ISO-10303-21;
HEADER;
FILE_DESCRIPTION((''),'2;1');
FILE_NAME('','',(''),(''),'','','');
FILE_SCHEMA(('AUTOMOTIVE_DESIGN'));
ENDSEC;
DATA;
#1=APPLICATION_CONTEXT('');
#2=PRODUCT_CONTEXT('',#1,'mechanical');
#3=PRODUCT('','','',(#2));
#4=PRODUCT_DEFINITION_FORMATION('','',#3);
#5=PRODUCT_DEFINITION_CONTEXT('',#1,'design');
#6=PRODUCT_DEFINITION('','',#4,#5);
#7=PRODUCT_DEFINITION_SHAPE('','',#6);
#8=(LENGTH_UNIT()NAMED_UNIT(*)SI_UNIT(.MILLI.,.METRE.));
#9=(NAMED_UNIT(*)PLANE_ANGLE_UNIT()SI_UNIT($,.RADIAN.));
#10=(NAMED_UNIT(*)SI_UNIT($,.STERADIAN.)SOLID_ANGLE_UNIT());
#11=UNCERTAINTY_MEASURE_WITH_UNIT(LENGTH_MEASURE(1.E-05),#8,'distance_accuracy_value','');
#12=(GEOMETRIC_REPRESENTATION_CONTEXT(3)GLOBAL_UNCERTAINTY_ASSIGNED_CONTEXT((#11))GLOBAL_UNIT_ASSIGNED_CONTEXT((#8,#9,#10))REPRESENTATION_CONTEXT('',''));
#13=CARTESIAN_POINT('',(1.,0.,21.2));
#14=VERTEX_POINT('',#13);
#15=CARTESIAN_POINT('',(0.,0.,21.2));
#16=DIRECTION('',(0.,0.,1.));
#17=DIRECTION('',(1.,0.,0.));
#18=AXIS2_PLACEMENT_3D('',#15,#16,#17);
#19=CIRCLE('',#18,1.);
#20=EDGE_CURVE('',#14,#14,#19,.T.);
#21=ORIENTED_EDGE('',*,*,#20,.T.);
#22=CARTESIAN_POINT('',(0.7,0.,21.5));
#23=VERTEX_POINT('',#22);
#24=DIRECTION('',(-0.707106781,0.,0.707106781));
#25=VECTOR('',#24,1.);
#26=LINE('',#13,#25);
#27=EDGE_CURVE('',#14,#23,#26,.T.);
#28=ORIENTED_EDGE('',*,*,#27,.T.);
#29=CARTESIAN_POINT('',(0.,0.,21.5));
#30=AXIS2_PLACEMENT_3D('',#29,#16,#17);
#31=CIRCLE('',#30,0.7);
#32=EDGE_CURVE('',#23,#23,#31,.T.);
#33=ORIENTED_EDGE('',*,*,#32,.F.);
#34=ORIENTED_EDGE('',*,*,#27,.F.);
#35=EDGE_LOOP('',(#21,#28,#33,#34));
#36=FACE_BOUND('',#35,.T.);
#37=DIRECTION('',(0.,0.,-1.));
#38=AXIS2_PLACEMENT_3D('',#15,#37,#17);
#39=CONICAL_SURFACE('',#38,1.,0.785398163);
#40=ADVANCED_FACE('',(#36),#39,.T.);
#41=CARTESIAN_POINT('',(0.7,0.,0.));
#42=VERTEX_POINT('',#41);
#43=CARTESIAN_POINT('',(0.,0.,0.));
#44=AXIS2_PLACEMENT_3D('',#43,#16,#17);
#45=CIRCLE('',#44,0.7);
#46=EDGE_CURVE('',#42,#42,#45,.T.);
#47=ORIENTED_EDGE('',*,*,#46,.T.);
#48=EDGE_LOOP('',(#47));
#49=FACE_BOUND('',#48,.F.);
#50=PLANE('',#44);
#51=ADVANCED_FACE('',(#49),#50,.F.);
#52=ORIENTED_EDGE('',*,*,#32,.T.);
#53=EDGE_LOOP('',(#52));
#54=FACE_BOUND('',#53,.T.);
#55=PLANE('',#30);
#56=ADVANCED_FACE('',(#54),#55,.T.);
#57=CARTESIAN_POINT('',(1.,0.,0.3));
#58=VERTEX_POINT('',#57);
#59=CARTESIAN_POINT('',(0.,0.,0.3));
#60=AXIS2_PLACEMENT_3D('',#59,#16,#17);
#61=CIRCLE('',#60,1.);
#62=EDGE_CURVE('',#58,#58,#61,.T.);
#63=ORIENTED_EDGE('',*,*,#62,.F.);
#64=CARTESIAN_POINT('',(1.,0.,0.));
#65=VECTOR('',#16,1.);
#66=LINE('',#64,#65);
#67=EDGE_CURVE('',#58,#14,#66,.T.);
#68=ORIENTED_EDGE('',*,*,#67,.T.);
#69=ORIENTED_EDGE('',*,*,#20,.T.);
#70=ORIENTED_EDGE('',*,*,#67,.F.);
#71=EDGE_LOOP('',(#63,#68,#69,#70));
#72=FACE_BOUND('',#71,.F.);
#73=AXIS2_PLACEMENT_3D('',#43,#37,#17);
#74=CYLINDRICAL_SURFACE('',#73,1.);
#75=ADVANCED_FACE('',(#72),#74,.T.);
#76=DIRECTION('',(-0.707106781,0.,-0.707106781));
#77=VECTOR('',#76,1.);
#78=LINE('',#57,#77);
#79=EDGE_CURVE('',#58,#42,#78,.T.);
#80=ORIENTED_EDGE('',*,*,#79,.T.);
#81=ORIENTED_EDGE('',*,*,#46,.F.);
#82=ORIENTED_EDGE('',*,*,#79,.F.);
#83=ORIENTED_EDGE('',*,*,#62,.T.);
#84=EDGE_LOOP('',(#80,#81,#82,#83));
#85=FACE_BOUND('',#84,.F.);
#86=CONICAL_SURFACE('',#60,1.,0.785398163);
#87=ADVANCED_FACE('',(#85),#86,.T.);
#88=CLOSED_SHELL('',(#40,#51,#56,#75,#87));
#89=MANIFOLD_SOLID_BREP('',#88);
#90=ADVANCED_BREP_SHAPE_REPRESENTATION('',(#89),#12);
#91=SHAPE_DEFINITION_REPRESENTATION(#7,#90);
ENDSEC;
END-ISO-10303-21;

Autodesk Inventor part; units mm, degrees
ref_plane "YZ Plane" through (0, 0, 0) normal (1, 0, 0) x (0, 1, 0)
ref_plane "XZ Plane" through (0, 0, 0) normal (0, 1, 0) x (-1, 0, 0)
ref_plane "XY Plane" through (0, 0, 0) normal (0, 0, 1) x (1, 0, 0)
sketch "Skizze1" plane through (0, 0, 0) normal (0, 0, 1) x (1, 0, 0)
  circle A0 centre (0, 0) radius 1
  dimension "d0" = 2
extrude "Extrusion1" add sketch "Skizze1" along normal blind 21.5
chamfer "Fase1" distance 0.3 angle 45 2 edges at (-1, 0, 21.5) (-1, 0, 0)
properties part number "OmniWheelAxisBig"
